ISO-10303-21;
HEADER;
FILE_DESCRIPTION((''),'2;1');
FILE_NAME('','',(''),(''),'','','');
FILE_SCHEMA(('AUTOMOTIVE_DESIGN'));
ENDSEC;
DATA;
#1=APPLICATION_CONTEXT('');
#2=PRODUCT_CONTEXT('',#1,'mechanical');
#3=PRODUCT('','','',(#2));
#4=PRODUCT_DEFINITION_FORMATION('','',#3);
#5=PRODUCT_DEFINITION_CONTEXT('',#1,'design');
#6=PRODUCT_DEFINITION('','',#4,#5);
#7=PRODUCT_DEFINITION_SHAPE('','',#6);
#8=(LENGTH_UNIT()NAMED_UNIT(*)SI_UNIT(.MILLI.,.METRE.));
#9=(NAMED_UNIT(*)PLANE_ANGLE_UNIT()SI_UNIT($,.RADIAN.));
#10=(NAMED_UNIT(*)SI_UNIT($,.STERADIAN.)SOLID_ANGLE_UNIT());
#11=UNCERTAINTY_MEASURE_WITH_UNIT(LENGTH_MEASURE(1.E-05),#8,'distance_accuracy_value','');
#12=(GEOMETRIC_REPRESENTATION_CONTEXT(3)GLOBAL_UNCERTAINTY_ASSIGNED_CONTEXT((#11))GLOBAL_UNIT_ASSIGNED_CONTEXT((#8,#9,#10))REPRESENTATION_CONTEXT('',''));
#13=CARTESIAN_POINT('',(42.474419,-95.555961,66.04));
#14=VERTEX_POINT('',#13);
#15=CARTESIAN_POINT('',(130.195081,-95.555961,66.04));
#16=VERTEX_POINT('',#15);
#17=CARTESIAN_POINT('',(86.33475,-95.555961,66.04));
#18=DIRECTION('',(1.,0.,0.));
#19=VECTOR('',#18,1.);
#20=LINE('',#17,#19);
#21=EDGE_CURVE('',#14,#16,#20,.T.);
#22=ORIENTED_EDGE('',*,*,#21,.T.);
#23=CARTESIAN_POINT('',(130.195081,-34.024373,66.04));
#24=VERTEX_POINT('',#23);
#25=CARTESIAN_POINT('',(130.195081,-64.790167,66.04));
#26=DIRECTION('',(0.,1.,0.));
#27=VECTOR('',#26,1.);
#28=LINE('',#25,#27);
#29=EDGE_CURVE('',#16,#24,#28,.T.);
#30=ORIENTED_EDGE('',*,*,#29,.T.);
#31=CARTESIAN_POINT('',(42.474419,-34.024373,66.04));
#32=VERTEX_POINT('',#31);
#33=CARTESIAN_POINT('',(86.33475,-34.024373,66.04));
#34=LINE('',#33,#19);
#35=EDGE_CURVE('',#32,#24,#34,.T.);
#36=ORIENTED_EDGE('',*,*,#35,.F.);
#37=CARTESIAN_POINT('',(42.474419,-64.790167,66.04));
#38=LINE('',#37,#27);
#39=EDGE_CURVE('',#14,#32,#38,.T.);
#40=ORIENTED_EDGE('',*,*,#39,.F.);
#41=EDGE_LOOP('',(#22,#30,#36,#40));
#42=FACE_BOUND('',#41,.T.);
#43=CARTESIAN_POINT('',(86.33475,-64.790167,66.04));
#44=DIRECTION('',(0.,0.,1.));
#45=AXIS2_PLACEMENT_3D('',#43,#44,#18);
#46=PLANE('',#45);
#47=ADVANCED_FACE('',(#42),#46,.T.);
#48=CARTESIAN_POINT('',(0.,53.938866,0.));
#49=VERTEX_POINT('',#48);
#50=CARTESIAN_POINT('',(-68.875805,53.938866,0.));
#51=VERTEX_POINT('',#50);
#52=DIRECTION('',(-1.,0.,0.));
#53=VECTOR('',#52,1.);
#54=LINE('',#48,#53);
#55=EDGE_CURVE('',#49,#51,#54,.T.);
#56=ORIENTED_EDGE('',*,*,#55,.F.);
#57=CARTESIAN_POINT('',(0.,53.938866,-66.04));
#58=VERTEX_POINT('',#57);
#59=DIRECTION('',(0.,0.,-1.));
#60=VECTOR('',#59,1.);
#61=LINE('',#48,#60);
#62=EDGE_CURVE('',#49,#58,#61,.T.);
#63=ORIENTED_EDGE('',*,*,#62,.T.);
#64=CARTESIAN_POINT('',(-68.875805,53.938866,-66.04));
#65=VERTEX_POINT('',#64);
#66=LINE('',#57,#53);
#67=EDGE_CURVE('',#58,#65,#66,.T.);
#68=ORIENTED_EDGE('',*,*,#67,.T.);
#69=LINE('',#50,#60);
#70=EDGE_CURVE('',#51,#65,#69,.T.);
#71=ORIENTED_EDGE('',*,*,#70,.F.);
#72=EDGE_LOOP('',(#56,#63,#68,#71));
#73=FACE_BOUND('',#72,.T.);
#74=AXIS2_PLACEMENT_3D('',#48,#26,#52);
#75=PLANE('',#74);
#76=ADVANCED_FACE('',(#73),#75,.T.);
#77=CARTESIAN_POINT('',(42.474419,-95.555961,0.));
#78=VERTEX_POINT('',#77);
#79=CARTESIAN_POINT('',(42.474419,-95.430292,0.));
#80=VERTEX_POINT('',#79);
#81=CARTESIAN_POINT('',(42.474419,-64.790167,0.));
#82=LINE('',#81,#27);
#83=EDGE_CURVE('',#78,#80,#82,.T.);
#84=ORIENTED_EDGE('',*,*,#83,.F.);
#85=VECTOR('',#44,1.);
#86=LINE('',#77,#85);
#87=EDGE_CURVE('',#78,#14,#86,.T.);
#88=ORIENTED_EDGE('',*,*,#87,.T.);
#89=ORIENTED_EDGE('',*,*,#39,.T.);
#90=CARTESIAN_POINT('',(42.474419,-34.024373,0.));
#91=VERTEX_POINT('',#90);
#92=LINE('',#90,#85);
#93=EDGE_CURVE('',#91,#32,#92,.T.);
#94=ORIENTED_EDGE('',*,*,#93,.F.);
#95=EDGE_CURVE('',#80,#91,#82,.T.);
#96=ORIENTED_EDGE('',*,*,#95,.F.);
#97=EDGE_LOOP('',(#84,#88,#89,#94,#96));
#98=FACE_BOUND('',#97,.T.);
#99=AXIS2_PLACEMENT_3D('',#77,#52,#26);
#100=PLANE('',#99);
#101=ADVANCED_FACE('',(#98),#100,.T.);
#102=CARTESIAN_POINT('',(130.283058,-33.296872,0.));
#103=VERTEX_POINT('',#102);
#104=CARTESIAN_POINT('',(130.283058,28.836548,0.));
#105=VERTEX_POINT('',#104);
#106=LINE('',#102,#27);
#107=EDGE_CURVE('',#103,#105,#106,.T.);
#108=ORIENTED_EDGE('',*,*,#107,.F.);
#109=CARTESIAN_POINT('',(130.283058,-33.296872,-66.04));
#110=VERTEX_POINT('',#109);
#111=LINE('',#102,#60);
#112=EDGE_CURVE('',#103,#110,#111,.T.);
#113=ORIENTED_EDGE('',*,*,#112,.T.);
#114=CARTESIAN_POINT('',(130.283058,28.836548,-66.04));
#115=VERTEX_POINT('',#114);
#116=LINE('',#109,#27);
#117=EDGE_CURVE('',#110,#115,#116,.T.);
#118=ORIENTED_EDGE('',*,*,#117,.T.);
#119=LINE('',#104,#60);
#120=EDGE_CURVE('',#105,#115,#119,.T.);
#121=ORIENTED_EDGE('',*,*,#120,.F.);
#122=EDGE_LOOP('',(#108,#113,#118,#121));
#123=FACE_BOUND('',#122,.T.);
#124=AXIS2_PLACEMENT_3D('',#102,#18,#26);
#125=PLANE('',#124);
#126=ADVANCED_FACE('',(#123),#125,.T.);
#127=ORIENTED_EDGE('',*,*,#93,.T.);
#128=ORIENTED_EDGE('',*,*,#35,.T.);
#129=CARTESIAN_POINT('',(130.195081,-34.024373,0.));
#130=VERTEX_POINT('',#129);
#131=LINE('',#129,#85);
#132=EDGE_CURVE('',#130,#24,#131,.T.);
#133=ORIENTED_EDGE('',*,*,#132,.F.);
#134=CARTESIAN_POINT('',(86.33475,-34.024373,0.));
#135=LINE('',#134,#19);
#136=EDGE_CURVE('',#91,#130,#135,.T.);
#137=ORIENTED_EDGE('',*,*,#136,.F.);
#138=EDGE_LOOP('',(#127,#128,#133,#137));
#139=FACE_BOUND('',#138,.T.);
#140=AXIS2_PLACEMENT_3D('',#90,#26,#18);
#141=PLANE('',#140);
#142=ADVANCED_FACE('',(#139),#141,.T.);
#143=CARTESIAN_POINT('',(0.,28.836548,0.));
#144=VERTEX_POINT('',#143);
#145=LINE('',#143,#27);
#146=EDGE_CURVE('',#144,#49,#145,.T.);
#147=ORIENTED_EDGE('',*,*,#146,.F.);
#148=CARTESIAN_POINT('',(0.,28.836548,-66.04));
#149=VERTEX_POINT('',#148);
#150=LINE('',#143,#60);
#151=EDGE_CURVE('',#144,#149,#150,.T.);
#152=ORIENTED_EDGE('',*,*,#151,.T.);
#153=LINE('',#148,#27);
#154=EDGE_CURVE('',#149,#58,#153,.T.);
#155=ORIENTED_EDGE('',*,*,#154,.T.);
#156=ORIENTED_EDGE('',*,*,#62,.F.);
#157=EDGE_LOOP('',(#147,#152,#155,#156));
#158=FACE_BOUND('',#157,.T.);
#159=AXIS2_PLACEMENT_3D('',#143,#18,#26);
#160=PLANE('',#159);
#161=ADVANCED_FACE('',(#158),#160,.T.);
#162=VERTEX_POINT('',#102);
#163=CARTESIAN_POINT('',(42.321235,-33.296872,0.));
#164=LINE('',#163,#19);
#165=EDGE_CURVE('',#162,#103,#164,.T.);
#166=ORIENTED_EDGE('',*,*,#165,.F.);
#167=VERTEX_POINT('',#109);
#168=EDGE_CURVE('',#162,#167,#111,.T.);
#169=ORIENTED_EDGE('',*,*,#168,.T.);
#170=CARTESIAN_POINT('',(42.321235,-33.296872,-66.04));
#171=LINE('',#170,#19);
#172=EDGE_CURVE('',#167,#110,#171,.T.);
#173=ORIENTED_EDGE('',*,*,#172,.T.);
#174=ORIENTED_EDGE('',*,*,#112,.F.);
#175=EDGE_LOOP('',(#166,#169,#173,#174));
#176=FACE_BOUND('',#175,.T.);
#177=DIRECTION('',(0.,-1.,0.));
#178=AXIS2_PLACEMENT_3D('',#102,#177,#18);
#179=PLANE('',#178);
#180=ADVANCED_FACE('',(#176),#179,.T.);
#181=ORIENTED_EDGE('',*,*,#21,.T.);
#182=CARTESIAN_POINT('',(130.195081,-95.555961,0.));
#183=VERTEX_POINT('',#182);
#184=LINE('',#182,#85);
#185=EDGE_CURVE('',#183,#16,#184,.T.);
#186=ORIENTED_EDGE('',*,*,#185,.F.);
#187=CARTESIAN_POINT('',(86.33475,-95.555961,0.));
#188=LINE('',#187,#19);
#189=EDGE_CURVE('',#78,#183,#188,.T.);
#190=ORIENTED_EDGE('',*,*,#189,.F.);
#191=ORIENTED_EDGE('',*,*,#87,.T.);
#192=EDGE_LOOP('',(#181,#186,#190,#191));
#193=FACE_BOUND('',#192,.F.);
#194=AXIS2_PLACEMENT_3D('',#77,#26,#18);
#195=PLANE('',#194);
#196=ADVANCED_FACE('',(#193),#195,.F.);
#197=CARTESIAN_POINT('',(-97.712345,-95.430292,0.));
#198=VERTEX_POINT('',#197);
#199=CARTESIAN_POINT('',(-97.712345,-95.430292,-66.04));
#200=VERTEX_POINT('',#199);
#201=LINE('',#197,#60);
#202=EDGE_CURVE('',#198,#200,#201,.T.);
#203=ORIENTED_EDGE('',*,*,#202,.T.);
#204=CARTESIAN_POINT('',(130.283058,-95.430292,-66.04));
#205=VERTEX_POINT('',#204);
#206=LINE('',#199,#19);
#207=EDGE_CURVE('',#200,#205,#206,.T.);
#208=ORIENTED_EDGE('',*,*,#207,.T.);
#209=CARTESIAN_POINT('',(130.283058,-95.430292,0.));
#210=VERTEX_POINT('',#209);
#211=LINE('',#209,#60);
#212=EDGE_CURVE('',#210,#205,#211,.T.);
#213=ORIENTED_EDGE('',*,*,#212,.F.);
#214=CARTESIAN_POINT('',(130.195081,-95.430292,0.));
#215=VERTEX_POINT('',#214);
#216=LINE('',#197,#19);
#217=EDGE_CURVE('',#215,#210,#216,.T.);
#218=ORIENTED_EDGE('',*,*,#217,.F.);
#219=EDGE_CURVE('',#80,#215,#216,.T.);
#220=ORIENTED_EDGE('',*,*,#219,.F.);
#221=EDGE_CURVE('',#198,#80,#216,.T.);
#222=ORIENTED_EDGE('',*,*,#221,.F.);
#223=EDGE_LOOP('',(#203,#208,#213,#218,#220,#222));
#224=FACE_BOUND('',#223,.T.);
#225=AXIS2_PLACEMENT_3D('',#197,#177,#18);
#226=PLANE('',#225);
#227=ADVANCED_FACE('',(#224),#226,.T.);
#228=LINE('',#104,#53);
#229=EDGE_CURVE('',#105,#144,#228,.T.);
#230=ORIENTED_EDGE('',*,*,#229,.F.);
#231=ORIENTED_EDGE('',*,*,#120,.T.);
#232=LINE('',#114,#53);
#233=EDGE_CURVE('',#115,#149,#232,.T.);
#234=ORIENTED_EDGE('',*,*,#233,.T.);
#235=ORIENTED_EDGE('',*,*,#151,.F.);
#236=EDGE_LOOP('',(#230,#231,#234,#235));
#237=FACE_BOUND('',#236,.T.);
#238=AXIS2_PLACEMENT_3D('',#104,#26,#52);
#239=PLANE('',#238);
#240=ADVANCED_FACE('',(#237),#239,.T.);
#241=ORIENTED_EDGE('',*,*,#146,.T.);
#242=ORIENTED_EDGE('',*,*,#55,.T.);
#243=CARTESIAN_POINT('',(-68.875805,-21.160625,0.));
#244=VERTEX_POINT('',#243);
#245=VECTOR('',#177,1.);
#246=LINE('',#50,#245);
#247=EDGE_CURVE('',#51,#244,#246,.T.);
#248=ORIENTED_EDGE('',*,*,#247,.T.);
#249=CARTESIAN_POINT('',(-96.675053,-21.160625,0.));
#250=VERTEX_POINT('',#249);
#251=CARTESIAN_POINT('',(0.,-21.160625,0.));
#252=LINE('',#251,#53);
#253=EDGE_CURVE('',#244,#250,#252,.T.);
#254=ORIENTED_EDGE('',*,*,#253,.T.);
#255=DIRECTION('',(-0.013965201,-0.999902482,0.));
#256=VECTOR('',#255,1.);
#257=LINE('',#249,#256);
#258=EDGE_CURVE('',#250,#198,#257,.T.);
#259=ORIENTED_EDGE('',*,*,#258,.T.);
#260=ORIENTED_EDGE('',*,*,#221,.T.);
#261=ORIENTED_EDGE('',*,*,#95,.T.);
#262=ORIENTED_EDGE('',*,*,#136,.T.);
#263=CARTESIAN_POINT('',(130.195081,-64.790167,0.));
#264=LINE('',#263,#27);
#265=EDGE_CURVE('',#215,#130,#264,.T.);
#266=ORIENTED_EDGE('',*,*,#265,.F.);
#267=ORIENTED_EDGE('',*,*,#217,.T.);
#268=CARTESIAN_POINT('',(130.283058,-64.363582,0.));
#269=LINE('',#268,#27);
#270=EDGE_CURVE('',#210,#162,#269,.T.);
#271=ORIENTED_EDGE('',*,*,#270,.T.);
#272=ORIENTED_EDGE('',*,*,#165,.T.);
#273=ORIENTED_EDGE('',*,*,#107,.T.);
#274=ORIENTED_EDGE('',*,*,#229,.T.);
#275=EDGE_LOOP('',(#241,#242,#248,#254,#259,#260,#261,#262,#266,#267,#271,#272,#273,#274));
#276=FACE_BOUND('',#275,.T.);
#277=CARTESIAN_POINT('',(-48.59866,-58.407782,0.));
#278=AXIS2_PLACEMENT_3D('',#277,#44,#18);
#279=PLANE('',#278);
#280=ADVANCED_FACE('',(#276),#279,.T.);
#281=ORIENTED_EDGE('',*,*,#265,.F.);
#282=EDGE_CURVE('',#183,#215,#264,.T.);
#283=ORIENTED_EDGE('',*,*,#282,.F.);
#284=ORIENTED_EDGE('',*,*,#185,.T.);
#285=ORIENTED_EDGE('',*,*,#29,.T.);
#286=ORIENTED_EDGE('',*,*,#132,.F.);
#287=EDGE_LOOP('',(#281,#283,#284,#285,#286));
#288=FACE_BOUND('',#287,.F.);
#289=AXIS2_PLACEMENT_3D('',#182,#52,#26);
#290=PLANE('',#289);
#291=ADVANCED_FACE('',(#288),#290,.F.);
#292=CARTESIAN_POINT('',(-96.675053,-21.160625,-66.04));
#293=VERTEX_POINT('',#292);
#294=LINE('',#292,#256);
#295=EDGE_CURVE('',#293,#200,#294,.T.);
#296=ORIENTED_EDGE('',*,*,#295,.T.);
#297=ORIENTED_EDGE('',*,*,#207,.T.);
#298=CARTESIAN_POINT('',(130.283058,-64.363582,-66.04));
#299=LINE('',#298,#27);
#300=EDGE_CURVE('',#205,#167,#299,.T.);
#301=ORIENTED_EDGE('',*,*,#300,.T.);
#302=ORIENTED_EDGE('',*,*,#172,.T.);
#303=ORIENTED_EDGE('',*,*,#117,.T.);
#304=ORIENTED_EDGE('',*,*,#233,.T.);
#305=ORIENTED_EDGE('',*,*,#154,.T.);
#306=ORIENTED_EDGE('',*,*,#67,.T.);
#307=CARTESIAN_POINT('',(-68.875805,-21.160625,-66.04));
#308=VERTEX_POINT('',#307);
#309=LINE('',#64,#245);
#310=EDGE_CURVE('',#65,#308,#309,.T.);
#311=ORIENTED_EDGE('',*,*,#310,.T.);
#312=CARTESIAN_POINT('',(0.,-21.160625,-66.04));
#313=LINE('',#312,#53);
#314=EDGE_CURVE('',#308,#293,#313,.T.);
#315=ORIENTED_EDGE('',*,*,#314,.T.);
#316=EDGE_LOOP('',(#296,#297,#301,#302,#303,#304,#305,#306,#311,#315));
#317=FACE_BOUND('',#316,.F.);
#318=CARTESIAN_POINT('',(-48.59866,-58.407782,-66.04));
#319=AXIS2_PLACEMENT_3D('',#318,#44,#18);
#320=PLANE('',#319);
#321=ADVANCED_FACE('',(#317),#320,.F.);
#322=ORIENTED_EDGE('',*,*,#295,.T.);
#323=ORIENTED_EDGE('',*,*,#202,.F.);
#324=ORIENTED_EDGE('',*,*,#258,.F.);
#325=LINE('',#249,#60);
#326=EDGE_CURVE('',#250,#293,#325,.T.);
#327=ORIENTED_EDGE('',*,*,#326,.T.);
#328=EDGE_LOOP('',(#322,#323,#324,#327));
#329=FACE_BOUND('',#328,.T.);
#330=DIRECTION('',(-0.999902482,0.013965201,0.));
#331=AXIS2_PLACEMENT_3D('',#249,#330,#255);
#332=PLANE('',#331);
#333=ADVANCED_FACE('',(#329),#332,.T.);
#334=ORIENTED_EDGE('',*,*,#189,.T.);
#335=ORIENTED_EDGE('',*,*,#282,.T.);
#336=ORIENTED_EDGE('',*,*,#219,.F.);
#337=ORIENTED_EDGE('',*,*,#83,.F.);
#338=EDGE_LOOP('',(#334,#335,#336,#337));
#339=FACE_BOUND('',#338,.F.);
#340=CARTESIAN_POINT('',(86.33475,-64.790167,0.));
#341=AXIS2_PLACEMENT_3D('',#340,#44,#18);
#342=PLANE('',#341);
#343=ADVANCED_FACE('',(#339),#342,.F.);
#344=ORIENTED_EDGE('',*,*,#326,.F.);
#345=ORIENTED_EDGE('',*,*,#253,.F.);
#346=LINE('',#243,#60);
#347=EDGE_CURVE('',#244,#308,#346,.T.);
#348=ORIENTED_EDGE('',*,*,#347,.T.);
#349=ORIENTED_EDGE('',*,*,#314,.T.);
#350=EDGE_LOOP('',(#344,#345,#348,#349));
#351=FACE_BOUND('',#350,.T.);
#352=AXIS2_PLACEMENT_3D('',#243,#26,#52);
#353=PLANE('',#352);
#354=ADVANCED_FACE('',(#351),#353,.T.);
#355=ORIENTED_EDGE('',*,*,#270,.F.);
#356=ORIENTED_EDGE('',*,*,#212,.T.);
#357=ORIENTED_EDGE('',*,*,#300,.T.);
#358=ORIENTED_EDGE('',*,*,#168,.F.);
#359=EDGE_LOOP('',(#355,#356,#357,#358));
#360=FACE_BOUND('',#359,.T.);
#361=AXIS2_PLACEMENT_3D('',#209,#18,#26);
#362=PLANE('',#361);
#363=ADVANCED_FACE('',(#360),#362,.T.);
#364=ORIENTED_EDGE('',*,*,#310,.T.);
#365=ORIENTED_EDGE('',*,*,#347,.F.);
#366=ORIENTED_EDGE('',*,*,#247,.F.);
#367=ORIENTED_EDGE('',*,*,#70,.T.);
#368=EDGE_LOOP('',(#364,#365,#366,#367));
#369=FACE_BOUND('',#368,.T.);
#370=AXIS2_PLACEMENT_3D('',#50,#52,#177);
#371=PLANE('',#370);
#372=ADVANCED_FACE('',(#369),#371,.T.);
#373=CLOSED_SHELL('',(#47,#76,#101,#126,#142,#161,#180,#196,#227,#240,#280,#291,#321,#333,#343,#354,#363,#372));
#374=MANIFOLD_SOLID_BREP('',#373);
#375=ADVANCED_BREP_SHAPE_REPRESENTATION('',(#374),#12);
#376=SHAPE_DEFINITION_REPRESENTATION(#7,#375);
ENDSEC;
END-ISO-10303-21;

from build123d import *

# Parameters (mm, degrees)
F0_W     = 20.123318
F0_H     = 63.274436
F0_W_2   = 87.961823
F0_H_2   = 62.13342
F1_DEPTH = 66.04
F2_W     = 87.720662
F2_H     = 61.531588
F3_DEPTH = 66.04


with BuildPart() as f1:
    # F0 (on Top) → F1 (new body)
    with BuildSketch(Plane.XY):
        Polygon((-96.675053, -21.160625), (-97.712345, -95.430292), (0, -95.430292), (0, -32.155856), (0, -21.160625), (-68.875805, -21.160625), align=None)
        with Locations((10.061659, -63.793074)):
            Rectangle(F0_W, F0_H)
        Polygon((20.123318, -32.155856), (20.123318, -95.430292), (42.321235, -95.430292), (42.321235, -33.296872), (130.283058, -33.296872), (130.283058, 28.836548), (0, 28.836548), (0, 53.938866), (-68.875805, 53.938866), (-68.875805, -21.160625), (0, -21.160625), (0, -32.155856), align=None)
        with Locations((86.302146, -64.363582)):
            Rectangle(F0_W_2, F0_H_2)
    extrude(amount=-F1_DEPTH)

    # F2 (on face) → F3 (join)
    with BuildSketch(Plane.XY):
        with Locations((86.33475, -64.790167)):
            Rectangle(F2_W, F2_H)
    extrude(amount=F3_DEPTH)


solid = f1.part
